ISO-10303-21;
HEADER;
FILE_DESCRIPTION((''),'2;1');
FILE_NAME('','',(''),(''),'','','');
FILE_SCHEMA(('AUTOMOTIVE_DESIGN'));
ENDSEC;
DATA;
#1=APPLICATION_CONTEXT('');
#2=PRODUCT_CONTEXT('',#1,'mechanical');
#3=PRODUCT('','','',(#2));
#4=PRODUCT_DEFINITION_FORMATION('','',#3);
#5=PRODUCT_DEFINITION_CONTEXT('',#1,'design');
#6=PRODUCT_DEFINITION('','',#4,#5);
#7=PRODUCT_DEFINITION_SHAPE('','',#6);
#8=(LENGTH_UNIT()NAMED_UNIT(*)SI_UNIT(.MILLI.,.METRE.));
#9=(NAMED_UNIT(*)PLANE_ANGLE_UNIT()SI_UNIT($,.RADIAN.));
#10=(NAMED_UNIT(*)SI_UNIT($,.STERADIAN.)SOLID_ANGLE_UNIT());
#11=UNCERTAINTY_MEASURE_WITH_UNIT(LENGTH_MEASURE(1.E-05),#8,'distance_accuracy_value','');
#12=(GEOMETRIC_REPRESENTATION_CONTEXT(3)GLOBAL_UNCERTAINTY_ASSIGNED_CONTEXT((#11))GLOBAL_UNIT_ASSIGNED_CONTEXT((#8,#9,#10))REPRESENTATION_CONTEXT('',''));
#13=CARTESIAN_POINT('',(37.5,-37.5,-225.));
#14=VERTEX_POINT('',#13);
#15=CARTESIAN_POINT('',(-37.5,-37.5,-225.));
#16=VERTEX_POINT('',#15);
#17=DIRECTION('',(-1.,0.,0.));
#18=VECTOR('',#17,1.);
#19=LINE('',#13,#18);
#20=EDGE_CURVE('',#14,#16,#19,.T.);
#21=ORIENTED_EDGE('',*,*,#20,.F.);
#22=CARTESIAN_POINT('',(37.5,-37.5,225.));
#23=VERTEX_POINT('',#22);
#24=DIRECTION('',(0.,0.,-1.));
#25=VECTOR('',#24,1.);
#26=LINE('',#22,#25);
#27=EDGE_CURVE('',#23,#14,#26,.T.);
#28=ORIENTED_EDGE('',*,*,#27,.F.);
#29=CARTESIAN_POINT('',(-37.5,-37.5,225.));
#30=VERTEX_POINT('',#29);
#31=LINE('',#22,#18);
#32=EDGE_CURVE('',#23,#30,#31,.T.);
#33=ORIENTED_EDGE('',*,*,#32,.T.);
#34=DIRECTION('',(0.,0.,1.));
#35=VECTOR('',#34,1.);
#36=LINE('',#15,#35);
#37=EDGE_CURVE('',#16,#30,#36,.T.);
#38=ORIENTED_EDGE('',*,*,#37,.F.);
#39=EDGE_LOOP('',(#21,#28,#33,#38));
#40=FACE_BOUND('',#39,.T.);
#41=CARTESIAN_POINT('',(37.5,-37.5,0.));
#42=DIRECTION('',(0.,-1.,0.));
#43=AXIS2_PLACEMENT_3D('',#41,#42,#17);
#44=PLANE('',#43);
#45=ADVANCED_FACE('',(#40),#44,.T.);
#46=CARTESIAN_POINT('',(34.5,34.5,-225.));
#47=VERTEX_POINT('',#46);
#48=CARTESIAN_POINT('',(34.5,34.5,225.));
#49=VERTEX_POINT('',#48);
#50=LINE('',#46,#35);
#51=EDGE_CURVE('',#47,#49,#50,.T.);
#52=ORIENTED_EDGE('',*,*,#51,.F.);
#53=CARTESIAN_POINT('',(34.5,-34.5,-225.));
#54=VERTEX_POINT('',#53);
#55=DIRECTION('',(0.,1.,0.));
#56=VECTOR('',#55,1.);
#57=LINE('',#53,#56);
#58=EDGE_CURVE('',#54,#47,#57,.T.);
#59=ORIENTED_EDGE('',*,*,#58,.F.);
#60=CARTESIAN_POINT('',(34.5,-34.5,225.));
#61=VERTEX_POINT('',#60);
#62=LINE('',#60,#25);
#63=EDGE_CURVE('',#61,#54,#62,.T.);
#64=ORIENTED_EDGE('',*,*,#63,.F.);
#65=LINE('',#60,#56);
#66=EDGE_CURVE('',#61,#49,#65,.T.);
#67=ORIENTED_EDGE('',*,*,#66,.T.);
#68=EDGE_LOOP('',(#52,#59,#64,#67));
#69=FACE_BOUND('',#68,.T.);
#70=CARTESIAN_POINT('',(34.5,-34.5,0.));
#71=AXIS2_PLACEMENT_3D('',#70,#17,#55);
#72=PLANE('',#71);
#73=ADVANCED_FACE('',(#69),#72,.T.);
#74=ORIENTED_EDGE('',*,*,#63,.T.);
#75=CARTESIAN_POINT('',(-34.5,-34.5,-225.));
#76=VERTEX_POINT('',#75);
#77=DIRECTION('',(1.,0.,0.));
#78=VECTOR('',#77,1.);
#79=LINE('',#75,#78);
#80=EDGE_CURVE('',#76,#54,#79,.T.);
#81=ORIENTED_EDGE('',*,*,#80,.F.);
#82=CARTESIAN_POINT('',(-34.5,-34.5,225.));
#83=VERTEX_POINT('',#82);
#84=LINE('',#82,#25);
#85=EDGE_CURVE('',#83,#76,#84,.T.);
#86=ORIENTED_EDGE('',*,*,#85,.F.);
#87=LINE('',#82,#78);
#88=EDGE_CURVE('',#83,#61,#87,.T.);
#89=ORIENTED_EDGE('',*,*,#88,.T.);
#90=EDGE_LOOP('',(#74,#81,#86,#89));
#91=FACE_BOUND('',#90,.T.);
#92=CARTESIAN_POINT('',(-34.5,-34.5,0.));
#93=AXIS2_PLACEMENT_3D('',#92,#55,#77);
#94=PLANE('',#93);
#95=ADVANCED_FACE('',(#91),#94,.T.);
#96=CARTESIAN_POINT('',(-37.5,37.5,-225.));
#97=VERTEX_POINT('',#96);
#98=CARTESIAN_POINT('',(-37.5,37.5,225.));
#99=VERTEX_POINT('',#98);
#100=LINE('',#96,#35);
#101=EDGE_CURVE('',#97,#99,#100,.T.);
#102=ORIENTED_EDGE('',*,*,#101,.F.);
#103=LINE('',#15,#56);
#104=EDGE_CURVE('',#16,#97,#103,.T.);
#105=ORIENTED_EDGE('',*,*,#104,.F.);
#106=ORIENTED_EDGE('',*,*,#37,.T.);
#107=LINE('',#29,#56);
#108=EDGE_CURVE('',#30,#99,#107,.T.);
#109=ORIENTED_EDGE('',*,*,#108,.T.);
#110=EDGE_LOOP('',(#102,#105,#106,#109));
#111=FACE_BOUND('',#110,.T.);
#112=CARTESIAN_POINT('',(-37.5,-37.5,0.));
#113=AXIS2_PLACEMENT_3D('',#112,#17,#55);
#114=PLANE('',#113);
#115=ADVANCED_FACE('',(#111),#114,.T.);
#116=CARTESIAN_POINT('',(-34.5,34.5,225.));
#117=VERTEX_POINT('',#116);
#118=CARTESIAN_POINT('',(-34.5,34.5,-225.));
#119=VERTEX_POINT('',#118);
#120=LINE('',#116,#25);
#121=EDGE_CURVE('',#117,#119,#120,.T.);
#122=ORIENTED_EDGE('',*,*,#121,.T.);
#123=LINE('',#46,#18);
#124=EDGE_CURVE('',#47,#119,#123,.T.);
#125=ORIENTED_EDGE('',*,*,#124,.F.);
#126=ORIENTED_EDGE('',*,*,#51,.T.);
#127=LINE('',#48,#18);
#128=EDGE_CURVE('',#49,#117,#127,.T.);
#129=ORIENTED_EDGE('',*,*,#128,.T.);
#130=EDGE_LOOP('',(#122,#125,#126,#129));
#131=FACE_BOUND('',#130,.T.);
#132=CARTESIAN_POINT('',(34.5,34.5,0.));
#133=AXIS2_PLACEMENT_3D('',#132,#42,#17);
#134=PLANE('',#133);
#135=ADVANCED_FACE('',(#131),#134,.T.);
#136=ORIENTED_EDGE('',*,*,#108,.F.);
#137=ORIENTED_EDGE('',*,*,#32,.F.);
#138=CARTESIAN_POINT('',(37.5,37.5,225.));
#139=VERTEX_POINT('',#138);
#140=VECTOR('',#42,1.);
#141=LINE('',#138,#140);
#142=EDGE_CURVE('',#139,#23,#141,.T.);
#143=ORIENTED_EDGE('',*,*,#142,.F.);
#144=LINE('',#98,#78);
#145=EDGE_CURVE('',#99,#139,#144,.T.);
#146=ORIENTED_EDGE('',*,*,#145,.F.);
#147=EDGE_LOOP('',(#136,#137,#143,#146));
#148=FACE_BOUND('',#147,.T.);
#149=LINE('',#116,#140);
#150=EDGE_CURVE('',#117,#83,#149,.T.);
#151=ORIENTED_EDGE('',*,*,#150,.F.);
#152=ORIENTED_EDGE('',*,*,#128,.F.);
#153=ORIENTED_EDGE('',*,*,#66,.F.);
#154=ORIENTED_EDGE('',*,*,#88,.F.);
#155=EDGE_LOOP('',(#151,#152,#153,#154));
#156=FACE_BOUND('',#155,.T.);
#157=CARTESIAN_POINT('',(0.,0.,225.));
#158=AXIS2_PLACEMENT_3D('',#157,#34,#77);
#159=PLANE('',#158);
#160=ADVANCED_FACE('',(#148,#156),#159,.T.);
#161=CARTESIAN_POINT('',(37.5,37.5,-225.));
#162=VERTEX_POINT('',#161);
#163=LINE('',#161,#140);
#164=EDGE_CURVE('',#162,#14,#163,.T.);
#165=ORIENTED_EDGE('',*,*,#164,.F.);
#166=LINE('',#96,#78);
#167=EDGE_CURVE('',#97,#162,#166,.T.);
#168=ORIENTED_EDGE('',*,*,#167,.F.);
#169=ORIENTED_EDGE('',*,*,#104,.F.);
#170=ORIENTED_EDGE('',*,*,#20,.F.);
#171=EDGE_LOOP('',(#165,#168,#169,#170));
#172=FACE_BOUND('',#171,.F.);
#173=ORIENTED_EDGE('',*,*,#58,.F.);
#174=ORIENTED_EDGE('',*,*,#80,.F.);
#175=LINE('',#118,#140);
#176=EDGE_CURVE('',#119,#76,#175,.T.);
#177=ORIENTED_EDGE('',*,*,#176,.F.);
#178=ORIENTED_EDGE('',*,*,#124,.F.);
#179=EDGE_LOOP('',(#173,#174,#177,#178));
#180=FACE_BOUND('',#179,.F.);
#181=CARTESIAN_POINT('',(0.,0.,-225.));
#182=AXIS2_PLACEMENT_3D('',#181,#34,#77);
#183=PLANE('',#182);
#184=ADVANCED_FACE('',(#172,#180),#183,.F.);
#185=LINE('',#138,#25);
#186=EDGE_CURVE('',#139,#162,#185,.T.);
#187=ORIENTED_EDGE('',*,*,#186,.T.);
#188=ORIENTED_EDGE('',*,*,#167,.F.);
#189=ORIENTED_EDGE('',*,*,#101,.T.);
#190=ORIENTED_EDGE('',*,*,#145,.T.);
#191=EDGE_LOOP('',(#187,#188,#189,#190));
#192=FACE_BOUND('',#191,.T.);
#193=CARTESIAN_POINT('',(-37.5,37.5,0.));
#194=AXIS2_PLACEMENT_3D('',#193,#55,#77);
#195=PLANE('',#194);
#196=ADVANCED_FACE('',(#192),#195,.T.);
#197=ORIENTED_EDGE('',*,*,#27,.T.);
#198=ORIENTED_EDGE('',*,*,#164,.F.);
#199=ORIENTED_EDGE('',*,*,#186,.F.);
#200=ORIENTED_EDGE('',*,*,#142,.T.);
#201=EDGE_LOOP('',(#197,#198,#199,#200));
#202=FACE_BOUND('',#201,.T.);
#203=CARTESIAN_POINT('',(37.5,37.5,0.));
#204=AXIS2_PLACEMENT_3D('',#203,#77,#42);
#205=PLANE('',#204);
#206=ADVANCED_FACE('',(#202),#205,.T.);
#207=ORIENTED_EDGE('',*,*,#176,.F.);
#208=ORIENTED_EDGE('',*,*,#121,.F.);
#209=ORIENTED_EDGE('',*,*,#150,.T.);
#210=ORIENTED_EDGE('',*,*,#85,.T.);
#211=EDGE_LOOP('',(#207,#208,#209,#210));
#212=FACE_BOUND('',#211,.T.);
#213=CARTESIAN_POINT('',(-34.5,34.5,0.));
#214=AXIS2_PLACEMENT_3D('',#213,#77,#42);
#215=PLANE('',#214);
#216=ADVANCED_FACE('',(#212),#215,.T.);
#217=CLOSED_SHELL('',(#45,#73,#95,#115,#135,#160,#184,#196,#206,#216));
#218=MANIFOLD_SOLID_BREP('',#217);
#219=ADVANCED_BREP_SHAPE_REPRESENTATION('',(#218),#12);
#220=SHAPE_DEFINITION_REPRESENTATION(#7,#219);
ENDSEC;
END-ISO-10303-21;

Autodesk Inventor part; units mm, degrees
ref_plane "YZ Plane" through (0, 0, 0) normal (1, 0, 0) x (0, 1, 0)
ref_plane "XZ Plane" through (0, 0, 0) normal (0, 1, 0) x (-1, 0, 0)
ref_plane "XY Plane" through (0, 0, 0) normal (0, 0, 1) x (1, 0, 0)
sketch "Boceto1" plane through (0, 0, 0) normal (0, 0, 1) x (1, 0, 0)
  line L0 (-37.5, 37.5) -> (37.5, 37.5)
  line L1 (37.5, 37.5) -> (37.5, -37.5)
  line L2 (37.5, -37.5) -> (-37.5, -37.5)
  line L3 (-37.5, -37.5) -> (-37.5, 37.5)
  line L4 (34.5, 34.5) -> (-34.5, 34.5)
  line L5 (-34.5, 34.5) -> (-34.5, -34.5)
  line L6 (-34.5, -34.5) -> (34.5, -34.5)
  line L7 (34.5, -34.5) -> (34.5, 34.5)
  point P0 (0, 0)
  dimension "d0" = 75
  dimension "d1" = 75
  dimension "d2" = 3
  dimension "d3" = 37.5
  dimension "d4" = 37.5
extrude "Extrusión1" add sketch "Boceto1" along normal mid plane 450
equation "\"d0\" = width"
equation "\"d1\" = height"
equation "\"d2\" = t"
equation "\"d3\" = 0.5 * height"
equation "\"d4\" = 0.5 * width"
equation "\"d5\" = length"
equation "\"width\" = 75"
equation "\"height\" = 75"
equation "\"t\" = 3"
equation "\"length\" = 450"
properties part number "45 STEEL PROFILE" material "Acero"
